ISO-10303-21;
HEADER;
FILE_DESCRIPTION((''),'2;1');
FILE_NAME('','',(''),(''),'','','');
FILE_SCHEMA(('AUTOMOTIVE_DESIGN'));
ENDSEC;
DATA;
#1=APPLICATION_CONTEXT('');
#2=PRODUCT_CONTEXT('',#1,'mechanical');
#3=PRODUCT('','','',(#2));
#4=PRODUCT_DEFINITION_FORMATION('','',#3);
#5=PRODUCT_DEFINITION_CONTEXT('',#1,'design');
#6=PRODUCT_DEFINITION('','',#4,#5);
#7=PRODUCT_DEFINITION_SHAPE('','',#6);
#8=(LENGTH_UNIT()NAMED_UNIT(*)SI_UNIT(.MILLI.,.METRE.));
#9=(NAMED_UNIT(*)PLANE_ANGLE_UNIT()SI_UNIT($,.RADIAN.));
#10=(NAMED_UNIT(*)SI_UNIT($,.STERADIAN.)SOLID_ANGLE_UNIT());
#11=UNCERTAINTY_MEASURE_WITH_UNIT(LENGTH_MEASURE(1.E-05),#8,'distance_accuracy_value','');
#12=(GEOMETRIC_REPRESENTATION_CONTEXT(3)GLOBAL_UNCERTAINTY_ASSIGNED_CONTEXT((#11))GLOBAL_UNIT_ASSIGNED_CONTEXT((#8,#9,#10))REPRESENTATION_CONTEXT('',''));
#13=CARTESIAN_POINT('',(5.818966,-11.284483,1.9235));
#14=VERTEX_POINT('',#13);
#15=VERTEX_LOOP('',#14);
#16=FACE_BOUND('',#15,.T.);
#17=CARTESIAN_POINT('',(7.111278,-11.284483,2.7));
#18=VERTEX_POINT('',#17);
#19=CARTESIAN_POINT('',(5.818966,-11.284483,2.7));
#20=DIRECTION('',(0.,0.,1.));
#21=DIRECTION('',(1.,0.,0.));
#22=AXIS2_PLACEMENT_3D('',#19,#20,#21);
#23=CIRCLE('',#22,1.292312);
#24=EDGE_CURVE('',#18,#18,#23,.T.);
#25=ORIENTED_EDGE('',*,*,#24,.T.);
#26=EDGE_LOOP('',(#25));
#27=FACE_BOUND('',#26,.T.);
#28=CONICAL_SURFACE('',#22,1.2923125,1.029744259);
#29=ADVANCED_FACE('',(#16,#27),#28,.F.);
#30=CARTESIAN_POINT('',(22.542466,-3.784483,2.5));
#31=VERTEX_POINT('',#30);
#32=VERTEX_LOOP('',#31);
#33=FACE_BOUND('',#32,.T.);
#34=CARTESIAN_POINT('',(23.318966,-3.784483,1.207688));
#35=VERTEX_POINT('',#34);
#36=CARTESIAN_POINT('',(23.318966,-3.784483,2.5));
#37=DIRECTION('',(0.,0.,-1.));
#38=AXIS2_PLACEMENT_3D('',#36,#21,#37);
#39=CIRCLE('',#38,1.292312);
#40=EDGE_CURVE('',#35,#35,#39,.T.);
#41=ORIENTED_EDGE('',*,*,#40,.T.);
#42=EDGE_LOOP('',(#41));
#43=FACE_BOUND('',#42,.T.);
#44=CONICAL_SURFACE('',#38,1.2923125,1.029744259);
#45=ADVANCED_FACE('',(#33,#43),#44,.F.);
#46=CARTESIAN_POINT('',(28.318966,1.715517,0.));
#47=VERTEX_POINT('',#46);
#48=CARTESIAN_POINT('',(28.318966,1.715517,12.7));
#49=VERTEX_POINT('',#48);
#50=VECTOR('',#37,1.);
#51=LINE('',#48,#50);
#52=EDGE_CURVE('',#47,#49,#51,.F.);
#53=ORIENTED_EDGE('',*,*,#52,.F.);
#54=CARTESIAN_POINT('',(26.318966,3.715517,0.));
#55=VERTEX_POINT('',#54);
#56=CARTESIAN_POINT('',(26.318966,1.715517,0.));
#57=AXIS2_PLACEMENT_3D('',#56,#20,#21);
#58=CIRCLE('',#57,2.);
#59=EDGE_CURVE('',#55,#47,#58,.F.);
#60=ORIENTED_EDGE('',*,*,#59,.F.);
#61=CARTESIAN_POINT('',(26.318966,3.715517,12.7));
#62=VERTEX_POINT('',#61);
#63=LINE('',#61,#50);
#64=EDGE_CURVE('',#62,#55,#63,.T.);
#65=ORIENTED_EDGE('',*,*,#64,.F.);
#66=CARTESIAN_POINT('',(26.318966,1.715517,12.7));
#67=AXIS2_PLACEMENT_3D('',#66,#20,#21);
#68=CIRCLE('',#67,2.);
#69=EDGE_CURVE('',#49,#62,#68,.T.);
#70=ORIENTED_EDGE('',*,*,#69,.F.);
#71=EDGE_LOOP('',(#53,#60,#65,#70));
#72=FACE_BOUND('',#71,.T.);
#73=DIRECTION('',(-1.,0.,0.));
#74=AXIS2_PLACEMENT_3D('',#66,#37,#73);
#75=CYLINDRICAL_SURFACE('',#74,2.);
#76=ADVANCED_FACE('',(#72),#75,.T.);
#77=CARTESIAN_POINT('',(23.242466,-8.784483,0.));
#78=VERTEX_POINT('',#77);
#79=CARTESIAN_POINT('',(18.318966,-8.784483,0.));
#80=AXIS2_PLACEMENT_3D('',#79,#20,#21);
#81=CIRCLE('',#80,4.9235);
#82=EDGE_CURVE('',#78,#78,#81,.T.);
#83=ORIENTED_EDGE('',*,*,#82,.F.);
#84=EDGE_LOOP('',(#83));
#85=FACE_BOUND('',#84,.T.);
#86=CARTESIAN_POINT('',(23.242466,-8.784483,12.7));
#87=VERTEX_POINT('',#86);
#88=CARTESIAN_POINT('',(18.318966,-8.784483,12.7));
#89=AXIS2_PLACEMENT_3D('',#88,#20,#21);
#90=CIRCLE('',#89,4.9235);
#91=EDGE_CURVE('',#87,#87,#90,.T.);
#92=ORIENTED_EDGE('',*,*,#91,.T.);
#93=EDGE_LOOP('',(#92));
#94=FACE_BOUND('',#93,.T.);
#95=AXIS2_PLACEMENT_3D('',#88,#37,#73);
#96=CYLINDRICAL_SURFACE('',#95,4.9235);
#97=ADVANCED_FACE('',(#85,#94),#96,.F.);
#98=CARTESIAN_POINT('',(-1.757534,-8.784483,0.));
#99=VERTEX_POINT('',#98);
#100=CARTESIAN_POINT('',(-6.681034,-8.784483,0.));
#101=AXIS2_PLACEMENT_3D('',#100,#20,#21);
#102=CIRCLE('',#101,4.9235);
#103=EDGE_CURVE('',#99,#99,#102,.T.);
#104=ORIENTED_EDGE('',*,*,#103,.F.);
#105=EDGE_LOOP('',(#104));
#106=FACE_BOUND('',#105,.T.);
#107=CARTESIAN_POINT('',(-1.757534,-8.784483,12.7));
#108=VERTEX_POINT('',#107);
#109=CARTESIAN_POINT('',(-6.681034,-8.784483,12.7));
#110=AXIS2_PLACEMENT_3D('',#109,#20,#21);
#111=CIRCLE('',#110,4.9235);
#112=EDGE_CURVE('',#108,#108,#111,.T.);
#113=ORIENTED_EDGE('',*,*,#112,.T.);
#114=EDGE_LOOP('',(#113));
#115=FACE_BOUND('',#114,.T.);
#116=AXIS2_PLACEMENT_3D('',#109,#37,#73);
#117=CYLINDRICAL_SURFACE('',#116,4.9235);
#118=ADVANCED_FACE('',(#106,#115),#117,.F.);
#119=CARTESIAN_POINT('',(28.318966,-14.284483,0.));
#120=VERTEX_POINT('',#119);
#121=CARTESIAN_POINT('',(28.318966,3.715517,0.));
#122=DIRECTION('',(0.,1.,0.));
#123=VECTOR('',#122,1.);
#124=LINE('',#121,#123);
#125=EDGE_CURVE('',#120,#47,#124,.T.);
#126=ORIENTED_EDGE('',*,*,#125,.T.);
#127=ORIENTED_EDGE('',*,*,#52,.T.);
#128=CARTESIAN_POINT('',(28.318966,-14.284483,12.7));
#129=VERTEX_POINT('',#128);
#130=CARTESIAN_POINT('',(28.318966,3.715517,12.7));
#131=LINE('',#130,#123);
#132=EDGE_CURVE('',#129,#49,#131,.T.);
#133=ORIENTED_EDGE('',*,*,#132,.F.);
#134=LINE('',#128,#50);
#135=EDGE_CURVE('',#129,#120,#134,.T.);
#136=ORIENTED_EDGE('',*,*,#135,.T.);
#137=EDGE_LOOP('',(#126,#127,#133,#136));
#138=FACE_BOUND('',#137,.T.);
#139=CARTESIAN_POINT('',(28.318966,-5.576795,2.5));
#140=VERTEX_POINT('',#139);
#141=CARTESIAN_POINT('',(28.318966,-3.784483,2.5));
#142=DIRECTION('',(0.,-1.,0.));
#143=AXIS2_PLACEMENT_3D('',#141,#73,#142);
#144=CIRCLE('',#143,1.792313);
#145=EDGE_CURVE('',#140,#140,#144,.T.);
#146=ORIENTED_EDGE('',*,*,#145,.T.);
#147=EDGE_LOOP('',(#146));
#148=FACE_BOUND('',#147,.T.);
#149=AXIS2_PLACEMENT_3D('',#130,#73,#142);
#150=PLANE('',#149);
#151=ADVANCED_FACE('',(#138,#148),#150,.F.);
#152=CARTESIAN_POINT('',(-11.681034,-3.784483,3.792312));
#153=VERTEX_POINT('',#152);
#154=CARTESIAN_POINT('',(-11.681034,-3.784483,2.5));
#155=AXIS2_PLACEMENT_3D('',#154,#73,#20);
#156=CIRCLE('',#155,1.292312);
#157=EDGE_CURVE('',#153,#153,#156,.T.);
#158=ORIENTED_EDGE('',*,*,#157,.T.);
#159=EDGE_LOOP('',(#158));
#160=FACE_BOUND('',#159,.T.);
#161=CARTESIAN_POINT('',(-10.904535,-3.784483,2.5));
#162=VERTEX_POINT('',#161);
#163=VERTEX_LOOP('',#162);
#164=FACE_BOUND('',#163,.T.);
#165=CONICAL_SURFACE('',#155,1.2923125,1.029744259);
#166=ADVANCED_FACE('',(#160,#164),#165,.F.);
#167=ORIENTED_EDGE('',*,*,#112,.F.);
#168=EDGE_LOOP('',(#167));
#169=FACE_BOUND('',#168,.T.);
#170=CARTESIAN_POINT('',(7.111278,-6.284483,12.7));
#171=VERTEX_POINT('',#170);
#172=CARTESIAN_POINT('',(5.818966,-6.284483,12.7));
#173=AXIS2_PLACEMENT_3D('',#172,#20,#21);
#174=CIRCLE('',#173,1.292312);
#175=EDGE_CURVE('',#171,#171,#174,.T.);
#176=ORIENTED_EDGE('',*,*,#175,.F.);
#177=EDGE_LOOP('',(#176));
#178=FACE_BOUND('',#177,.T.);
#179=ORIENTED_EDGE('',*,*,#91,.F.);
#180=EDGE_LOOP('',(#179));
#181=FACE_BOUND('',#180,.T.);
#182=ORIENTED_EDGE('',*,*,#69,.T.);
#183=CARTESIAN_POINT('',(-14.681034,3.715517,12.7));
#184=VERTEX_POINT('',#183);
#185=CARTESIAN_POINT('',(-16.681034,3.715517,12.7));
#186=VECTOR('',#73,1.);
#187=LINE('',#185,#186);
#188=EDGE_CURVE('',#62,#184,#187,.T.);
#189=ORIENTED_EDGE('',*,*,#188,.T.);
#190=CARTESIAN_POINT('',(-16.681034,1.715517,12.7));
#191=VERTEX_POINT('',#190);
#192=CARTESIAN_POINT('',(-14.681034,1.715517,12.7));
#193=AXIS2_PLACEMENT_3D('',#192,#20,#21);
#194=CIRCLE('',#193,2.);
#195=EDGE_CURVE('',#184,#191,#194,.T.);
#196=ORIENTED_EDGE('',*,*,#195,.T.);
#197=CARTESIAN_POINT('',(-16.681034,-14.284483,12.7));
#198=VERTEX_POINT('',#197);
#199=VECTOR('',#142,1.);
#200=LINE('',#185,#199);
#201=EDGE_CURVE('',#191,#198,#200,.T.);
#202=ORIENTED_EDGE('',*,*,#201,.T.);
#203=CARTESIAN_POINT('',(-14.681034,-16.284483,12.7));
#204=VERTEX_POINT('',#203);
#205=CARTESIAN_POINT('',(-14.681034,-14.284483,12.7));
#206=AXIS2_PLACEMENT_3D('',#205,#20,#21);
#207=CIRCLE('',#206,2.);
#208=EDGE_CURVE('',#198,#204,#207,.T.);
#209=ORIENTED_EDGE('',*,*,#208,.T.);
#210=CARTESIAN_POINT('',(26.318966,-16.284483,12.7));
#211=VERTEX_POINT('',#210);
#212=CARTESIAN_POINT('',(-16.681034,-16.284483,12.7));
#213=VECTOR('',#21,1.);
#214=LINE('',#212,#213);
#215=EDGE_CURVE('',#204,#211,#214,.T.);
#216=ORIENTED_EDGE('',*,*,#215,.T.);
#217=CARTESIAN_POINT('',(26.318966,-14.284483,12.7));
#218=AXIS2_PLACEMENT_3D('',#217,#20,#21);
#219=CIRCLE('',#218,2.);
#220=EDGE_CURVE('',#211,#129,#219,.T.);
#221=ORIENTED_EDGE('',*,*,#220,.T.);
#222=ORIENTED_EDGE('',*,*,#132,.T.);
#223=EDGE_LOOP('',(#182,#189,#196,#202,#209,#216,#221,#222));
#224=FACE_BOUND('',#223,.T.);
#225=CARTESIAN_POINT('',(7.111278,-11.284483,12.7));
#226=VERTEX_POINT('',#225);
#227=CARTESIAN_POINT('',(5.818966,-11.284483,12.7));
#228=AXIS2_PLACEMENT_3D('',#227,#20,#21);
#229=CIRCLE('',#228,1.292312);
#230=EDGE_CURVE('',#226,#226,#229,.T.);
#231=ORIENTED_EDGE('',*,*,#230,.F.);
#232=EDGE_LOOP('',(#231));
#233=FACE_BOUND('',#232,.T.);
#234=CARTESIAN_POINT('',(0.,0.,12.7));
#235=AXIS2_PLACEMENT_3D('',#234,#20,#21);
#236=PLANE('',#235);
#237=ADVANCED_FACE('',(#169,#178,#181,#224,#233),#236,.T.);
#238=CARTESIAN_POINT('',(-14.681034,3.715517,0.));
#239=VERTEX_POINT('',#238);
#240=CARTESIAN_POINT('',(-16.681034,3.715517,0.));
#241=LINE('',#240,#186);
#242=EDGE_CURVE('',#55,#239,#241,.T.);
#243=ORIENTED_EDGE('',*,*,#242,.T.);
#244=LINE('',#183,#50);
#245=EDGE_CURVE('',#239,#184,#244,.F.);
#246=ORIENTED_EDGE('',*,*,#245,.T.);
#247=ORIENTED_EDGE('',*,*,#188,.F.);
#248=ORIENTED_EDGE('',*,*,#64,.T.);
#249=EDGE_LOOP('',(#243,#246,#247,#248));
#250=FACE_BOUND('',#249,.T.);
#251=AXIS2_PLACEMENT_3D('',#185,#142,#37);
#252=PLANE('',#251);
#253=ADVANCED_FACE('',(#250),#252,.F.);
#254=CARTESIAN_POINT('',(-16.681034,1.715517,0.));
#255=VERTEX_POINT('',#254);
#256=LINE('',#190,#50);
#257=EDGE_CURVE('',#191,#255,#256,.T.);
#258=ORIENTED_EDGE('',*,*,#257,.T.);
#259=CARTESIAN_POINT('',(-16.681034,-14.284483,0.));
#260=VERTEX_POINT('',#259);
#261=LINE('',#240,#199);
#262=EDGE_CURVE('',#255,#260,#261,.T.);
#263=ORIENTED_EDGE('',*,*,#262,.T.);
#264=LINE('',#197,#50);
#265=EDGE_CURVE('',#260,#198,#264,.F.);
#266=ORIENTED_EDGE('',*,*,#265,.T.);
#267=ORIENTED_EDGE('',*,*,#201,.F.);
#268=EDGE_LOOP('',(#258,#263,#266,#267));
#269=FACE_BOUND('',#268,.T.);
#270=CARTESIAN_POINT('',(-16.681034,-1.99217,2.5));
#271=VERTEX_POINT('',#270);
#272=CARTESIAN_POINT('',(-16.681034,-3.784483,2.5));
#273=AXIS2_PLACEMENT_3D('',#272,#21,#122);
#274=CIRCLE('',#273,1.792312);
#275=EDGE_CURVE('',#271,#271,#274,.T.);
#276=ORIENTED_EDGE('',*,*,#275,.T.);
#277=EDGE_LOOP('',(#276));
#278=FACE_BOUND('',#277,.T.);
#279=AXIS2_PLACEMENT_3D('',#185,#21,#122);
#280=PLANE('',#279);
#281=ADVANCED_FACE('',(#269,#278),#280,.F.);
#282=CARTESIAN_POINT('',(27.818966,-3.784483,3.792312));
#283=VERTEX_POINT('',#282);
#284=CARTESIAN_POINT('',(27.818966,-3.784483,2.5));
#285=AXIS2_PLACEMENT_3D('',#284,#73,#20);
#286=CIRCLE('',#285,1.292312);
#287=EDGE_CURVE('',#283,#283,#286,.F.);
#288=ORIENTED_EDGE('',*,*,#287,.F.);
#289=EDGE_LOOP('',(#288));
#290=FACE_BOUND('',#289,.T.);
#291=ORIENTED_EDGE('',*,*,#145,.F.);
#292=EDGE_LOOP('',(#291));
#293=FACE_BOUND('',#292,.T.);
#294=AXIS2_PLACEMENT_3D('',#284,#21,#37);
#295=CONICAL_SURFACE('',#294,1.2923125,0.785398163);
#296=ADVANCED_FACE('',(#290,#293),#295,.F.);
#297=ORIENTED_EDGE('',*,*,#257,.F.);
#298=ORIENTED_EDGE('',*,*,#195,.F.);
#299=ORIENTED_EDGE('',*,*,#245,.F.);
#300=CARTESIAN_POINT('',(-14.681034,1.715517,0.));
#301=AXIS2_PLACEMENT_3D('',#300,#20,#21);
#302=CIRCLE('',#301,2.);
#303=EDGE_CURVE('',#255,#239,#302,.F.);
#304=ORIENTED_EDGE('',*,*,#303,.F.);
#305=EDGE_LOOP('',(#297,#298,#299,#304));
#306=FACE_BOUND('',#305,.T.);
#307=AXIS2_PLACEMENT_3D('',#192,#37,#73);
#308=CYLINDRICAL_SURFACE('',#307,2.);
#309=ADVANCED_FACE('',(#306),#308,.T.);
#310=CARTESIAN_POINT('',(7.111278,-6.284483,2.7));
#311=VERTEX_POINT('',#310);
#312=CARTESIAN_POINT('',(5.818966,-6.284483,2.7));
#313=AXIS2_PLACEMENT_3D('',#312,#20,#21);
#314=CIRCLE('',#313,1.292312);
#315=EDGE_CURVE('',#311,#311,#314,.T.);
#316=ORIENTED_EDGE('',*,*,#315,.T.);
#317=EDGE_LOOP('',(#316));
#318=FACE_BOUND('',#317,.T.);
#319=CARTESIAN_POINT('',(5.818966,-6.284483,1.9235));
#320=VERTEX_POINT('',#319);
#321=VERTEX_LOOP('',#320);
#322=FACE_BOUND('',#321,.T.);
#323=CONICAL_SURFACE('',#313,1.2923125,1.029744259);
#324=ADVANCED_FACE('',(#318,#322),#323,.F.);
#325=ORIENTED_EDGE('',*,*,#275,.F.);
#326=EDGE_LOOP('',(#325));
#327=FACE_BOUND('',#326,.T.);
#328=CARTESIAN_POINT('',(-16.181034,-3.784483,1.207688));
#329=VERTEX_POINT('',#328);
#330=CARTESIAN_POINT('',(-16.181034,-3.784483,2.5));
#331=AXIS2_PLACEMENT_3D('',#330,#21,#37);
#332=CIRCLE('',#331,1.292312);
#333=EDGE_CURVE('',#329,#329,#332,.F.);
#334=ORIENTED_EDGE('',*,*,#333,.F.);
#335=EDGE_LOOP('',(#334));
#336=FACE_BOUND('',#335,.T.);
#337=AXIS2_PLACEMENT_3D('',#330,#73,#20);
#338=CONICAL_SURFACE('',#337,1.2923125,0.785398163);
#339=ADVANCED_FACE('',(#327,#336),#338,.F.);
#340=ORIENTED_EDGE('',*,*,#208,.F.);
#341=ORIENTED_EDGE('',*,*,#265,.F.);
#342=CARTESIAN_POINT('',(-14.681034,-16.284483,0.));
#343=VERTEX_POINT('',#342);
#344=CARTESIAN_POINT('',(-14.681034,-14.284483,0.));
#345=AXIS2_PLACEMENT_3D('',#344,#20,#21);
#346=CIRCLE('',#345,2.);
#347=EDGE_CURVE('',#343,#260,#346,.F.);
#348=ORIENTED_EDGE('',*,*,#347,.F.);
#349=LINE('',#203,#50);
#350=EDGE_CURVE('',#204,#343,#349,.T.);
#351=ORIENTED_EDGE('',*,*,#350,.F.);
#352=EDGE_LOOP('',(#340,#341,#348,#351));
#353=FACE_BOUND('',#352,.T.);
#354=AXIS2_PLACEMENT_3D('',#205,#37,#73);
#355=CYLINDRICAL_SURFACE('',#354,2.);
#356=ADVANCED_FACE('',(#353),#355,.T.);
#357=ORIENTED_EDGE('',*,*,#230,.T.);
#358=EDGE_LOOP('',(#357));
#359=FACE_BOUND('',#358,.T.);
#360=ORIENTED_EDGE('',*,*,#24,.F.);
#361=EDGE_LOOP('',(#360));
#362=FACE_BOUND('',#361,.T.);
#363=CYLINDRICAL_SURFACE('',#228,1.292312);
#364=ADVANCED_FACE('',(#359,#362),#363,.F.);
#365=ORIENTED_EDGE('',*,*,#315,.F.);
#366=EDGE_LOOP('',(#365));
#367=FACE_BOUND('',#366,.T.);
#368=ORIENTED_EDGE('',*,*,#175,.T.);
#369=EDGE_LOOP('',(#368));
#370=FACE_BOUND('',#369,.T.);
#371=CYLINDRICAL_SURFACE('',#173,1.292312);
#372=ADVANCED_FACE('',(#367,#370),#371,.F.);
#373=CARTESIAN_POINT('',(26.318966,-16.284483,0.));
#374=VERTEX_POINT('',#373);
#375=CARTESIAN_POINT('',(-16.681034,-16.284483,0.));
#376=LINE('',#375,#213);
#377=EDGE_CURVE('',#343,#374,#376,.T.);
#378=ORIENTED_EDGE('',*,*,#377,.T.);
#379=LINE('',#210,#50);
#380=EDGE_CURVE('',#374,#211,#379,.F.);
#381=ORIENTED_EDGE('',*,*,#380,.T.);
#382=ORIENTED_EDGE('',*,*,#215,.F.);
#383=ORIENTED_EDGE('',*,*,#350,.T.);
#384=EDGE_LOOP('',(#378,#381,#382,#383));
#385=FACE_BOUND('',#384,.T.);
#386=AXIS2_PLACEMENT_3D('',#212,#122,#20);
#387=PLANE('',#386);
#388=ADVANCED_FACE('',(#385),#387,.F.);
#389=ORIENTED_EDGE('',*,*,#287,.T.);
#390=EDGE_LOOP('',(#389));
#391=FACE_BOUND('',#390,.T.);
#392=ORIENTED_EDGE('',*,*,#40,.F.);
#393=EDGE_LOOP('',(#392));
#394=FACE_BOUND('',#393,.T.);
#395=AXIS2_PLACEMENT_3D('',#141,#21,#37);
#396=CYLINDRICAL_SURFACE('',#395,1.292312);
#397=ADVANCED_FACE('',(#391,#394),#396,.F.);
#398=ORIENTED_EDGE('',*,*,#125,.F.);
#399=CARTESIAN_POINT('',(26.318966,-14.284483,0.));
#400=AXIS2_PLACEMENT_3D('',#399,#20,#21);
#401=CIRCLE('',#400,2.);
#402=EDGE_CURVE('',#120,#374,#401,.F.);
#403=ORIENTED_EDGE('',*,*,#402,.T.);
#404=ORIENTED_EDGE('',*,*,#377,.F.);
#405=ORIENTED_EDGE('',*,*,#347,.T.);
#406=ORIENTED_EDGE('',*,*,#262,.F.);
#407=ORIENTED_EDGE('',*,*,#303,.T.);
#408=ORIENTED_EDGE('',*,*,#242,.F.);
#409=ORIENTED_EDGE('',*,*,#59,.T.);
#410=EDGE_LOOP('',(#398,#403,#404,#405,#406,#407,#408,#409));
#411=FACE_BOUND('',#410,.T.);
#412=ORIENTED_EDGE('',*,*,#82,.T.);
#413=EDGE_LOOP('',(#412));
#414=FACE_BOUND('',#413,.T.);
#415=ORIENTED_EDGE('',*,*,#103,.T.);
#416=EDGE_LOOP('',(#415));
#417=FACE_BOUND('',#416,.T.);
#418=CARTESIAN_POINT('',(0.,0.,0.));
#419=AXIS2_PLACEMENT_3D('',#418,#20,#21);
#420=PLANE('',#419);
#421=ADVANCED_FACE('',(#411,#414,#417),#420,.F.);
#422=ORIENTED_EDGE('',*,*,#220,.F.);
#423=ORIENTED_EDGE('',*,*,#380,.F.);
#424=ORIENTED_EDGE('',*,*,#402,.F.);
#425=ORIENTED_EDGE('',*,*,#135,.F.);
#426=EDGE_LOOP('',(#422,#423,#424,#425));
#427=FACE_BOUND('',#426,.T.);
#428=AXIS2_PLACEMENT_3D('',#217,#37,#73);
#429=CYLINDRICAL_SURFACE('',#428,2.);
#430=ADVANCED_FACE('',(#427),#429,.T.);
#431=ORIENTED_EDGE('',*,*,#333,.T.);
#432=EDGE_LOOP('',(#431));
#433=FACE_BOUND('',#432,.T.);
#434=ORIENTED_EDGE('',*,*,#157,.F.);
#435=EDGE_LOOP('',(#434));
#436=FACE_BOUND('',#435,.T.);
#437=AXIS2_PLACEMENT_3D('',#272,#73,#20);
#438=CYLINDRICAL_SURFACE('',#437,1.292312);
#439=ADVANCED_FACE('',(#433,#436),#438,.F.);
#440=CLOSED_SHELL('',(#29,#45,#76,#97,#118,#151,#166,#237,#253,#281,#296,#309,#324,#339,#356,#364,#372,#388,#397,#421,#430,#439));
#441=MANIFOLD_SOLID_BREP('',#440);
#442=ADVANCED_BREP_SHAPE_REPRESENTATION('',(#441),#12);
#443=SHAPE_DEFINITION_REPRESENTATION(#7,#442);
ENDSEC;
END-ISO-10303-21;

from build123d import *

# Parameters (mm, degrees)
SKETCH1_W                       = 45
SKETCH1_H                       = 20
SKETCH1_R                       = 4.9235
BOSS_EXTRUDE1_DEPTH             = 12.7
TAP_DRILL_FOR_M3X0_5_TAP1_D     = 2.584625
TAP_DRILL_FOR_M3X0_5_TAP1_DEPTH = 10
TAP_DRILL_FOR_M3X0_5_TAP1_TIP   = 0.776499689
FILLET1_R                       = 2
CHAMFER1_SIZE                   = 0.5


with BuildPart() as part:
    # Sketch1 → Boss-Extrude1 (new body)
    with BuildSketch(Plane.XY):
        with Locations((5.818965517, -6.284482759)):
            Rectangle(SKETCH1_W, SKETCH1_H)
        with Locations((-6.681034483, -8.784482759)):
            Circle(SKETCH1_R, mode=Mode.SUBTRACT)
        with Locations((18.318965517, -8.784482759)):
            Circle(SKETCH1_R, mode=Mode.SUBTRACT)
    extrude(amount=BOSS_EXTRUDE1_DEPTH)

    # Tap Drill for M3x0.5 Tap1
    with Locations(Plane.XY.offset(12.7)):
        with Locations((5.818965517, -6.284482759), (5.818965517, -11.284482759)):
            Hole(TAP_DRILL_FOR_M3X0_5_TAP1_D / 2, depth=TAP_DRILL_FOR_M3X0_5_TAP1_DEPTH)
            with Locations((0, 0, -(TAP_DRILL_FOR_M3X0_5_TAP1_DEPTH + TAP_DRILL_FOR_M3X0_5_TAP1_TIP / 2))):  # 118° drill point
                Cone(0, TAP_DRILL_FOR_M3X0_5_TAP1_D / 2, TAP_DRILL_FOR_M3X0_5_TAP1_TIP, mode=Mode.SUBTRACT)

    # Fillet1
    fillet1_edges = [part.edges().sort_by_distance(p)[0] for p in [
        (-16.681034483, 3.715517241, 6.35),
        (28.318965517, 3.715517241, 6.35),
        (28.318965517, -16.284482759, 6.35),
        (-16.681034483, -16.284482759, 6.35),
    ]]
    fillet(fillet1_edges, radius=FILLET1_R)

    # Sketch8 → Tap Drill for M3x0.5 Tap2 (revolve, cut)
    with BuildSketch(Plane(origin=(-16.681034483, -3.784482759, 2.5), x_dir=(0, 0, 1), z_dir=(0, 1, 0))):
        Polygon((0, 0), (0, 5.776499689), (1.2923125, 5), (1.2923125, 0), align=None)
    tap_drill_for_m3x0_5_tap2 = revolve(axis=Axis((-23.031034483, -3.784482759, 2.5), (1, 0, 0)), mode=Mode.SUBTRACT)

    # Mirror3: Tap Drill for M3x0.5 Tap2 across plane
    add(tap_drill_for_m3x0_5_tap2.mirror(Plane(origin=(5.818965517, 0, 0), x_dir=(0, 0, 1), z_dir=(1, 0, 0))), mode=Mode.SUBTRACT)

    # Chamfer1
    chamfer1_edges = [part.edges().sort_by_distance(p)[0] for p in [
        (-16.681034483, -3.784482759, 1.2076875),
        (28.318965517, -3.784482759, 1.2076875),
    ]]
    chamfer(chamfer1_edges, length=CHAMFER1_SIZE)


solid = part.part
